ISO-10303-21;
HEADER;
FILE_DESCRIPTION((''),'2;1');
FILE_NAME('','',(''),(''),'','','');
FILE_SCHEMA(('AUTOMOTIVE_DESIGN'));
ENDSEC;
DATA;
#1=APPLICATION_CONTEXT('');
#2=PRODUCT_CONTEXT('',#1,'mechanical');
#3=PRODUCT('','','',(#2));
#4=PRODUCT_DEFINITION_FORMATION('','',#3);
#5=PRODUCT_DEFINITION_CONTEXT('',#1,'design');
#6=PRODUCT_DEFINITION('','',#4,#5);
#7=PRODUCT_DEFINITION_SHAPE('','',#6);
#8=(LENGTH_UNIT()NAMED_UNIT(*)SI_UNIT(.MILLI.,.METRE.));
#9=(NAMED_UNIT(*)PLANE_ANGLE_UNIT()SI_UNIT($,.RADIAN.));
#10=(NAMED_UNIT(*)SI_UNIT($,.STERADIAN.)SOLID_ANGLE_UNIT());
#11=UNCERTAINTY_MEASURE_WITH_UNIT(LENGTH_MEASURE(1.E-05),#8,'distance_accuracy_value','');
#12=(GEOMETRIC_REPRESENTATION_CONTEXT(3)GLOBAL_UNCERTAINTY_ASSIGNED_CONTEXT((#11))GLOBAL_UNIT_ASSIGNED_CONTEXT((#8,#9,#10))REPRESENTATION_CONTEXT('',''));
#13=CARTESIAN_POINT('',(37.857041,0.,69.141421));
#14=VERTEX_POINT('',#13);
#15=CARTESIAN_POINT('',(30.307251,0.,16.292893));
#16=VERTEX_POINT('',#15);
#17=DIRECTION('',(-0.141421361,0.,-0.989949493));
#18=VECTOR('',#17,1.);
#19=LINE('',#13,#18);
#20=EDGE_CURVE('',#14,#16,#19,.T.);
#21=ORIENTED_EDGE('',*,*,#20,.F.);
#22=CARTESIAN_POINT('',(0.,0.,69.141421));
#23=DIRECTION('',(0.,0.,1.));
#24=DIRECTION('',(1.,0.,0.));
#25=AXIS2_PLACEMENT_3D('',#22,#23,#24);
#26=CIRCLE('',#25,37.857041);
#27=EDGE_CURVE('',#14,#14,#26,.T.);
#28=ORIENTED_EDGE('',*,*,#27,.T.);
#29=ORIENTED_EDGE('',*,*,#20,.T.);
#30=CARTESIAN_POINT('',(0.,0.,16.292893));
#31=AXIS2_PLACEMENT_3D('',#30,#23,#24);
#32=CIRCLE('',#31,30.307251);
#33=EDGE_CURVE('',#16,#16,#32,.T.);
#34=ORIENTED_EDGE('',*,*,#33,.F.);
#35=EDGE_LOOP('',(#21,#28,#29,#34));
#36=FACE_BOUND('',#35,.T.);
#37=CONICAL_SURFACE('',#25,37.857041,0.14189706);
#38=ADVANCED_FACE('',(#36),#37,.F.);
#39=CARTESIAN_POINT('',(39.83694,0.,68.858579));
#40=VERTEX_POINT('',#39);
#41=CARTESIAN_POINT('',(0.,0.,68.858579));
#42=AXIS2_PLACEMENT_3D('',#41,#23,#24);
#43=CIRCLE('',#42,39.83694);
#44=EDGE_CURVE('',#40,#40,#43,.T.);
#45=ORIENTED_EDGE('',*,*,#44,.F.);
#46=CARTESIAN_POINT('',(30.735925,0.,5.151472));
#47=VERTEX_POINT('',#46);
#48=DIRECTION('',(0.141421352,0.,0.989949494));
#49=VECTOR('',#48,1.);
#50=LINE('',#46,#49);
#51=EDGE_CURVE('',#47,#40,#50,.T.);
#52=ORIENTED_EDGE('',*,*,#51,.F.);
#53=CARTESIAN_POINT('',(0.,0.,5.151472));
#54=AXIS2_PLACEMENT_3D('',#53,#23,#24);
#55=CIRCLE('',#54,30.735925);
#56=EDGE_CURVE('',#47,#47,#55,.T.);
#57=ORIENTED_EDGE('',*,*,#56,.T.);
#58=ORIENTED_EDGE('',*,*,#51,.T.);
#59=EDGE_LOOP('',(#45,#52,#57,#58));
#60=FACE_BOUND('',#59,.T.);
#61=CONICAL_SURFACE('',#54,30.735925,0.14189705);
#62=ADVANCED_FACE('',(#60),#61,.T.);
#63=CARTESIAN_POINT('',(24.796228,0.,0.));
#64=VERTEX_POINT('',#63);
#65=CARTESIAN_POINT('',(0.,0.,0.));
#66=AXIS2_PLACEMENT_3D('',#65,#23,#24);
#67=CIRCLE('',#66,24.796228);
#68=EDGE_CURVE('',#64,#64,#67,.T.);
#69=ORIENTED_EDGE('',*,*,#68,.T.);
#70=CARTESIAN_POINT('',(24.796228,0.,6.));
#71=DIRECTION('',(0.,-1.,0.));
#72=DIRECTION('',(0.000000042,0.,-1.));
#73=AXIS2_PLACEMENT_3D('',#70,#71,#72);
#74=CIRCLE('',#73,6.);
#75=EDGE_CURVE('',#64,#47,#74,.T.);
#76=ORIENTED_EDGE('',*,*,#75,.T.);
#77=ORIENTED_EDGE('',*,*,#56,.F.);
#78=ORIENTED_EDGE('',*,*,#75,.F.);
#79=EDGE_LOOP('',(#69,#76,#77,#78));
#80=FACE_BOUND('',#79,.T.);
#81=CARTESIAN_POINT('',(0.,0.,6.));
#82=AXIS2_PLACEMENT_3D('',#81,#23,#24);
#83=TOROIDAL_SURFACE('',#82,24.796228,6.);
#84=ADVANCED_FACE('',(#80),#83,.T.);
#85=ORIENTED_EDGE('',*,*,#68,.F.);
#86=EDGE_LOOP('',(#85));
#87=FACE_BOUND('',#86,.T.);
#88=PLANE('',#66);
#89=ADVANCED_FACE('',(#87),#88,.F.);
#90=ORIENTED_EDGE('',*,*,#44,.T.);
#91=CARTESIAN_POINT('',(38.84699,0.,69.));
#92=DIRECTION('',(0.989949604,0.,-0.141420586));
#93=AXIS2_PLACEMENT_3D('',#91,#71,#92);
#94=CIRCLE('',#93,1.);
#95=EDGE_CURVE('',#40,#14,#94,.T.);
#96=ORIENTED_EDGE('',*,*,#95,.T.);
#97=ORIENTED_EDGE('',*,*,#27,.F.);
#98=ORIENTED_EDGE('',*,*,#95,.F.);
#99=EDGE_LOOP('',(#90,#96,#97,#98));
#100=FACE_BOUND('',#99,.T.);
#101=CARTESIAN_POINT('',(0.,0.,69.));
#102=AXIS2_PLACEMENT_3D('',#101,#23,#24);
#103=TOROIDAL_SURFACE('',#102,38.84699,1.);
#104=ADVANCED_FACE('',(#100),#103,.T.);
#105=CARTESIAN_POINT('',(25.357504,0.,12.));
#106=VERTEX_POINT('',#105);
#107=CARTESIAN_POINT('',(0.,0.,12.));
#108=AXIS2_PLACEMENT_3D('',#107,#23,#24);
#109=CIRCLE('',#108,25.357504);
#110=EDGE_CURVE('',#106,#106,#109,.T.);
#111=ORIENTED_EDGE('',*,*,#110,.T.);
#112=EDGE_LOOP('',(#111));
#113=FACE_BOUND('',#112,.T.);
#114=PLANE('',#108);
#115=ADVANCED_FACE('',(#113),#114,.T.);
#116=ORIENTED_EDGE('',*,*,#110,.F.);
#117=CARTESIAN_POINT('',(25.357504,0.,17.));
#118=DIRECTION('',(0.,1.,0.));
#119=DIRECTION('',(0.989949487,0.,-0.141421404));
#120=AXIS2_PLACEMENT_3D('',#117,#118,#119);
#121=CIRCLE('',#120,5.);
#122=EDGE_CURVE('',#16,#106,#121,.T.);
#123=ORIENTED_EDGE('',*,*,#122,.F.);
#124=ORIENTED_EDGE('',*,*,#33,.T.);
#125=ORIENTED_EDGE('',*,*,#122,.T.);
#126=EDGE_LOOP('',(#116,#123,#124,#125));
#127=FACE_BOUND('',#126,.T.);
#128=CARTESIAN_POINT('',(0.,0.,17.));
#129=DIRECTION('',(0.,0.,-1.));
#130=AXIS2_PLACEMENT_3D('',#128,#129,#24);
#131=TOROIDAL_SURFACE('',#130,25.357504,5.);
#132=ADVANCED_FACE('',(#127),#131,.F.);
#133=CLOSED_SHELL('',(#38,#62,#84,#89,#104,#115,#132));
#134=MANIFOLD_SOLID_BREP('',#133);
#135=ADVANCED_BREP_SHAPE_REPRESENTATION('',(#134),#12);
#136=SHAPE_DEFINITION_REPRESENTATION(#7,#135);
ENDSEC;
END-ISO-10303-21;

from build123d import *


with BuildPart() as f1:
    # F0 (on Front) → F1 (revolve)
    with BuildSketch(Plane.XZ):
        with BuildLine():
            Line((0, 12), (0, 0))
            Line((0, 0), (24.796228, 0))
            ThreePointArc((24.796228, 0), (28.727438, 1.467276), (30.735925, 5.151472))
            Line((30.735925, 5.151472), (39.83694, 68.858579))
            ThreePointArc((39.83694, 68.858579), (38.988412, 69.989949), (37.857041, 69.141421))
            Line((37.857041, 69.141421), (30.307251, 16.292893))
            ThreePointArc((30.307251, 16.292893), (28.633512, 13.22273), (25.357504, 12))
            Line((25.357504, 12), (0, 12))
        make_face()
    revolve(axis=Axis((0, 0, 6), (0, 0, 1)))


solid = f1.part
